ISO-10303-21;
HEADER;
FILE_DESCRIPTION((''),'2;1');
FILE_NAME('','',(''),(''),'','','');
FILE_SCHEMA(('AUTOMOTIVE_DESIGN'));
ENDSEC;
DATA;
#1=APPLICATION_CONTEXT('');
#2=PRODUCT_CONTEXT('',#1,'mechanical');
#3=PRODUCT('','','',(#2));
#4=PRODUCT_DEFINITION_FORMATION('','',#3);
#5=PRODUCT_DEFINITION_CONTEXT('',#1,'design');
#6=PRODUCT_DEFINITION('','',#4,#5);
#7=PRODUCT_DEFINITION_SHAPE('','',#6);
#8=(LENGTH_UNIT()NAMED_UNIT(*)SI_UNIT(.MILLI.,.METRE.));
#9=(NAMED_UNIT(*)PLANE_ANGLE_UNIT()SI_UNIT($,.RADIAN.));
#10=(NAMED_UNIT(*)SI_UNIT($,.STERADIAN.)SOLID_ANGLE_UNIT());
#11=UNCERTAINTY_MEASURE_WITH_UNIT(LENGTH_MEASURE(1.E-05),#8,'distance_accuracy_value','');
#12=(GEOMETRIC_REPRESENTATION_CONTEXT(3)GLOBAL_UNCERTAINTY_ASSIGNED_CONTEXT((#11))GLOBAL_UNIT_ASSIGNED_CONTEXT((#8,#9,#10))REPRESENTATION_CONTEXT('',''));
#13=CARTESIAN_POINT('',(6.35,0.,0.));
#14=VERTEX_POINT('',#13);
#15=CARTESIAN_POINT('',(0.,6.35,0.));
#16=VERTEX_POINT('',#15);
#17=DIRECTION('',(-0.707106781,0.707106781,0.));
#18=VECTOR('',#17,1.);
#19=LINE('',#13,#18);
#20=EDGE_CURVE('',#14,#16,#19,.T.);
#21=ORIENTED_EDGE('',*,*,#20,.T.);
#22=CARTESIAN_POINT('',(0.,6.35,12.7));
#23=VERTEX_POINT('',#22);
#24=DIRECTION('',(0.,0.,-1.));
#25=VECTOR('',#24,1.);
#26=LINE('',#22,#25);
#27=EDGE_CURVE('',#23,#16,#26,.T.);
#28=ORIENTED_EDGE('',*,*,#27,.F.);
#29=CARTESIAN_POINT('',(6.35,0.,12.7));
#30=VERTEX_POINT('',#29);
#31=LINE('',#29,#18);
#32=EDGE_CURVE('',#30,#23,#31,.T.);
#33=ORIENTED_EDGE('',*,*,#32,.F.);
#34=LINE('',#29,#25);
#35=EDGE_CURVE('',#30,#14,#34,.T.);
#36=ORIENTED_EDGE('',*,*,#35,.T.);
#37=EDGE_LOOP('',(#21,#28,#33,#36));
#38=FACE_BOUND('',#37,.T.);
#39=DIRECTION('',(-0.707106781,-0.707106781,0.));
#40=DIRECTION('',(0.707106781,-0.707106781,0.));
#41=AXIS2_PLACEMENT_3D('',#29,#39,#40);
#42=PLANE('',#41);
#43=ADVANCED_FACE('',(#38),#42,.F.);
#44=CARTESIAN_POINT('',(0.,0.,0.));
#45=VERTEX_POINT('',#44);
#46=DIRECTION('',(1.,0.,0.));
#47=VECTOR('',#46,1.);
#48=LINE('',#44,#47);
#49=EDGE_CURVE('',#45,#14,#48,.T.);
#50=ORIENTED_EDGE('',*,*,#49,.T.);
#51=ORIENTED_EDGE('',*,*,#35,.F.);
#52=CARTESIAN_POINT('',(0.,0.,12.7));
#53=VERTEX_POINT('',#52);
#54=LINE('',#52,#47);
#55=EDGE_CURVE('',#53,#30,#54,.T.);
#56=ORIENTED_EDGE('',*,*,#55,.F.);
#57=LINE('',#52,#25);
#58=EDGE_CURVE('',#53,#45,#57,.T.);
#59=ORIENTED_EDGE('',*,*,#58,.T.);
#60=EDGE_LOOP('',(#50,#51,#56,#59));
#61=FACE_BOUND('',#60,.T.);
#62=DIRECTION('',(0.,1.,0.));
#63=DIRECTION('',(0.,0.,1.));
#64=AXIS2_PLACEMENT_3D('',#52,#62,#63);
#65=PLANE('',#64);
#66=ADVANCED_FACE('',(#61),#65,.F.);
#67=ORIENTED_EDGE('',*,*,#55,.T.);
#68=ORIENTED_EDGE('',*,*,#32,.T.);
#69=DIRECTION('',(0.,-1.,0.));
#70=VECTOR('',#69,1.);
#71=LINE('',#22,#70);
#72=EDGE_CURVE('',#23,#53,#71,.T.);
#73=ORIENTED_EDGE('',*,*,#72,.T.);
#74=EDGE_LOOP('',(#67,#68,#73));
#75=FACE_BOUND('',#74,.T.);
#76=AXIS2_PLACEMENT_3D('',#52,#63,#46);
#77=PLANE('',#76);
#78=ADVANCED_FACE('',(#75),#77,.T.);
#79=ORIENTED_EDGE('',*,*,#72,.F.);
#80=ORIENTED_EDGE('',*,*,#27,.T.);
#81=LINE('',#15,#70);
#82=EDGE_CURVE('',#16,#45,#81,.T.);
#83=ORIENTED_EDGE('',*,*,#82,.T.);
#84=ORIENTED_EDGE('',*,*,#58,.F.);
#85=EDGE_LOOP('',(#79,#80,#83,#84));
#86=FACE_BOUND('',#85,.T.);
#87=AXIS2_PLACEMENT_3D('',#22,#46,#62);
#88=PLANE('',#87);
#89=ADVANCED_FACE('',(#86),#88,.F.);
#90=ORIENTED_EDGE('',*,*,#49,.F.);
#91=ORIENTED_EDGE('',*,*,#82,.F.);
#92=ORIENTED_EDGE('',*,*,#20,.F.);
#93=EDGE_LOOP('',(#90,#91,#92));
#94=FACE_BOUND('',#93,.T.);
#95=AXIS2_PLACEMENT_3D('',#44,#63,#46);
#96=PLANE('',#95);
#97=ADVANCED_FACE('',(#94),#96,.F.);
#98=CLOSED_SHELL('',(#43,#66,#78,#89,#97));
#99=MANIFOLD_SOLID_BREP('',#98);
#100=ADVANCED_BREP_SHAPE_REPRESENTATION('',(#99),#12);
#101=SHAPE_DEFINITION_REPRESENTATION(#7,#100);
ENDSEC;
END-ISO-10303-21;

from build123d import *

# Parameters (mm, degrees)
BOSS_EXTRUDE1_DEPTH = 12.7


with BuildPart() as part:
    # Sketch1 → Boss-Extrude1 (new body)
    with BuildSketch(Plane.XY):
        Polygon((0, 0), (6.35, 0), (0, 6.35), align=None)
    extrude(amount=BOSS_EXTRUDE1_DEPTH)


solid = part.part
